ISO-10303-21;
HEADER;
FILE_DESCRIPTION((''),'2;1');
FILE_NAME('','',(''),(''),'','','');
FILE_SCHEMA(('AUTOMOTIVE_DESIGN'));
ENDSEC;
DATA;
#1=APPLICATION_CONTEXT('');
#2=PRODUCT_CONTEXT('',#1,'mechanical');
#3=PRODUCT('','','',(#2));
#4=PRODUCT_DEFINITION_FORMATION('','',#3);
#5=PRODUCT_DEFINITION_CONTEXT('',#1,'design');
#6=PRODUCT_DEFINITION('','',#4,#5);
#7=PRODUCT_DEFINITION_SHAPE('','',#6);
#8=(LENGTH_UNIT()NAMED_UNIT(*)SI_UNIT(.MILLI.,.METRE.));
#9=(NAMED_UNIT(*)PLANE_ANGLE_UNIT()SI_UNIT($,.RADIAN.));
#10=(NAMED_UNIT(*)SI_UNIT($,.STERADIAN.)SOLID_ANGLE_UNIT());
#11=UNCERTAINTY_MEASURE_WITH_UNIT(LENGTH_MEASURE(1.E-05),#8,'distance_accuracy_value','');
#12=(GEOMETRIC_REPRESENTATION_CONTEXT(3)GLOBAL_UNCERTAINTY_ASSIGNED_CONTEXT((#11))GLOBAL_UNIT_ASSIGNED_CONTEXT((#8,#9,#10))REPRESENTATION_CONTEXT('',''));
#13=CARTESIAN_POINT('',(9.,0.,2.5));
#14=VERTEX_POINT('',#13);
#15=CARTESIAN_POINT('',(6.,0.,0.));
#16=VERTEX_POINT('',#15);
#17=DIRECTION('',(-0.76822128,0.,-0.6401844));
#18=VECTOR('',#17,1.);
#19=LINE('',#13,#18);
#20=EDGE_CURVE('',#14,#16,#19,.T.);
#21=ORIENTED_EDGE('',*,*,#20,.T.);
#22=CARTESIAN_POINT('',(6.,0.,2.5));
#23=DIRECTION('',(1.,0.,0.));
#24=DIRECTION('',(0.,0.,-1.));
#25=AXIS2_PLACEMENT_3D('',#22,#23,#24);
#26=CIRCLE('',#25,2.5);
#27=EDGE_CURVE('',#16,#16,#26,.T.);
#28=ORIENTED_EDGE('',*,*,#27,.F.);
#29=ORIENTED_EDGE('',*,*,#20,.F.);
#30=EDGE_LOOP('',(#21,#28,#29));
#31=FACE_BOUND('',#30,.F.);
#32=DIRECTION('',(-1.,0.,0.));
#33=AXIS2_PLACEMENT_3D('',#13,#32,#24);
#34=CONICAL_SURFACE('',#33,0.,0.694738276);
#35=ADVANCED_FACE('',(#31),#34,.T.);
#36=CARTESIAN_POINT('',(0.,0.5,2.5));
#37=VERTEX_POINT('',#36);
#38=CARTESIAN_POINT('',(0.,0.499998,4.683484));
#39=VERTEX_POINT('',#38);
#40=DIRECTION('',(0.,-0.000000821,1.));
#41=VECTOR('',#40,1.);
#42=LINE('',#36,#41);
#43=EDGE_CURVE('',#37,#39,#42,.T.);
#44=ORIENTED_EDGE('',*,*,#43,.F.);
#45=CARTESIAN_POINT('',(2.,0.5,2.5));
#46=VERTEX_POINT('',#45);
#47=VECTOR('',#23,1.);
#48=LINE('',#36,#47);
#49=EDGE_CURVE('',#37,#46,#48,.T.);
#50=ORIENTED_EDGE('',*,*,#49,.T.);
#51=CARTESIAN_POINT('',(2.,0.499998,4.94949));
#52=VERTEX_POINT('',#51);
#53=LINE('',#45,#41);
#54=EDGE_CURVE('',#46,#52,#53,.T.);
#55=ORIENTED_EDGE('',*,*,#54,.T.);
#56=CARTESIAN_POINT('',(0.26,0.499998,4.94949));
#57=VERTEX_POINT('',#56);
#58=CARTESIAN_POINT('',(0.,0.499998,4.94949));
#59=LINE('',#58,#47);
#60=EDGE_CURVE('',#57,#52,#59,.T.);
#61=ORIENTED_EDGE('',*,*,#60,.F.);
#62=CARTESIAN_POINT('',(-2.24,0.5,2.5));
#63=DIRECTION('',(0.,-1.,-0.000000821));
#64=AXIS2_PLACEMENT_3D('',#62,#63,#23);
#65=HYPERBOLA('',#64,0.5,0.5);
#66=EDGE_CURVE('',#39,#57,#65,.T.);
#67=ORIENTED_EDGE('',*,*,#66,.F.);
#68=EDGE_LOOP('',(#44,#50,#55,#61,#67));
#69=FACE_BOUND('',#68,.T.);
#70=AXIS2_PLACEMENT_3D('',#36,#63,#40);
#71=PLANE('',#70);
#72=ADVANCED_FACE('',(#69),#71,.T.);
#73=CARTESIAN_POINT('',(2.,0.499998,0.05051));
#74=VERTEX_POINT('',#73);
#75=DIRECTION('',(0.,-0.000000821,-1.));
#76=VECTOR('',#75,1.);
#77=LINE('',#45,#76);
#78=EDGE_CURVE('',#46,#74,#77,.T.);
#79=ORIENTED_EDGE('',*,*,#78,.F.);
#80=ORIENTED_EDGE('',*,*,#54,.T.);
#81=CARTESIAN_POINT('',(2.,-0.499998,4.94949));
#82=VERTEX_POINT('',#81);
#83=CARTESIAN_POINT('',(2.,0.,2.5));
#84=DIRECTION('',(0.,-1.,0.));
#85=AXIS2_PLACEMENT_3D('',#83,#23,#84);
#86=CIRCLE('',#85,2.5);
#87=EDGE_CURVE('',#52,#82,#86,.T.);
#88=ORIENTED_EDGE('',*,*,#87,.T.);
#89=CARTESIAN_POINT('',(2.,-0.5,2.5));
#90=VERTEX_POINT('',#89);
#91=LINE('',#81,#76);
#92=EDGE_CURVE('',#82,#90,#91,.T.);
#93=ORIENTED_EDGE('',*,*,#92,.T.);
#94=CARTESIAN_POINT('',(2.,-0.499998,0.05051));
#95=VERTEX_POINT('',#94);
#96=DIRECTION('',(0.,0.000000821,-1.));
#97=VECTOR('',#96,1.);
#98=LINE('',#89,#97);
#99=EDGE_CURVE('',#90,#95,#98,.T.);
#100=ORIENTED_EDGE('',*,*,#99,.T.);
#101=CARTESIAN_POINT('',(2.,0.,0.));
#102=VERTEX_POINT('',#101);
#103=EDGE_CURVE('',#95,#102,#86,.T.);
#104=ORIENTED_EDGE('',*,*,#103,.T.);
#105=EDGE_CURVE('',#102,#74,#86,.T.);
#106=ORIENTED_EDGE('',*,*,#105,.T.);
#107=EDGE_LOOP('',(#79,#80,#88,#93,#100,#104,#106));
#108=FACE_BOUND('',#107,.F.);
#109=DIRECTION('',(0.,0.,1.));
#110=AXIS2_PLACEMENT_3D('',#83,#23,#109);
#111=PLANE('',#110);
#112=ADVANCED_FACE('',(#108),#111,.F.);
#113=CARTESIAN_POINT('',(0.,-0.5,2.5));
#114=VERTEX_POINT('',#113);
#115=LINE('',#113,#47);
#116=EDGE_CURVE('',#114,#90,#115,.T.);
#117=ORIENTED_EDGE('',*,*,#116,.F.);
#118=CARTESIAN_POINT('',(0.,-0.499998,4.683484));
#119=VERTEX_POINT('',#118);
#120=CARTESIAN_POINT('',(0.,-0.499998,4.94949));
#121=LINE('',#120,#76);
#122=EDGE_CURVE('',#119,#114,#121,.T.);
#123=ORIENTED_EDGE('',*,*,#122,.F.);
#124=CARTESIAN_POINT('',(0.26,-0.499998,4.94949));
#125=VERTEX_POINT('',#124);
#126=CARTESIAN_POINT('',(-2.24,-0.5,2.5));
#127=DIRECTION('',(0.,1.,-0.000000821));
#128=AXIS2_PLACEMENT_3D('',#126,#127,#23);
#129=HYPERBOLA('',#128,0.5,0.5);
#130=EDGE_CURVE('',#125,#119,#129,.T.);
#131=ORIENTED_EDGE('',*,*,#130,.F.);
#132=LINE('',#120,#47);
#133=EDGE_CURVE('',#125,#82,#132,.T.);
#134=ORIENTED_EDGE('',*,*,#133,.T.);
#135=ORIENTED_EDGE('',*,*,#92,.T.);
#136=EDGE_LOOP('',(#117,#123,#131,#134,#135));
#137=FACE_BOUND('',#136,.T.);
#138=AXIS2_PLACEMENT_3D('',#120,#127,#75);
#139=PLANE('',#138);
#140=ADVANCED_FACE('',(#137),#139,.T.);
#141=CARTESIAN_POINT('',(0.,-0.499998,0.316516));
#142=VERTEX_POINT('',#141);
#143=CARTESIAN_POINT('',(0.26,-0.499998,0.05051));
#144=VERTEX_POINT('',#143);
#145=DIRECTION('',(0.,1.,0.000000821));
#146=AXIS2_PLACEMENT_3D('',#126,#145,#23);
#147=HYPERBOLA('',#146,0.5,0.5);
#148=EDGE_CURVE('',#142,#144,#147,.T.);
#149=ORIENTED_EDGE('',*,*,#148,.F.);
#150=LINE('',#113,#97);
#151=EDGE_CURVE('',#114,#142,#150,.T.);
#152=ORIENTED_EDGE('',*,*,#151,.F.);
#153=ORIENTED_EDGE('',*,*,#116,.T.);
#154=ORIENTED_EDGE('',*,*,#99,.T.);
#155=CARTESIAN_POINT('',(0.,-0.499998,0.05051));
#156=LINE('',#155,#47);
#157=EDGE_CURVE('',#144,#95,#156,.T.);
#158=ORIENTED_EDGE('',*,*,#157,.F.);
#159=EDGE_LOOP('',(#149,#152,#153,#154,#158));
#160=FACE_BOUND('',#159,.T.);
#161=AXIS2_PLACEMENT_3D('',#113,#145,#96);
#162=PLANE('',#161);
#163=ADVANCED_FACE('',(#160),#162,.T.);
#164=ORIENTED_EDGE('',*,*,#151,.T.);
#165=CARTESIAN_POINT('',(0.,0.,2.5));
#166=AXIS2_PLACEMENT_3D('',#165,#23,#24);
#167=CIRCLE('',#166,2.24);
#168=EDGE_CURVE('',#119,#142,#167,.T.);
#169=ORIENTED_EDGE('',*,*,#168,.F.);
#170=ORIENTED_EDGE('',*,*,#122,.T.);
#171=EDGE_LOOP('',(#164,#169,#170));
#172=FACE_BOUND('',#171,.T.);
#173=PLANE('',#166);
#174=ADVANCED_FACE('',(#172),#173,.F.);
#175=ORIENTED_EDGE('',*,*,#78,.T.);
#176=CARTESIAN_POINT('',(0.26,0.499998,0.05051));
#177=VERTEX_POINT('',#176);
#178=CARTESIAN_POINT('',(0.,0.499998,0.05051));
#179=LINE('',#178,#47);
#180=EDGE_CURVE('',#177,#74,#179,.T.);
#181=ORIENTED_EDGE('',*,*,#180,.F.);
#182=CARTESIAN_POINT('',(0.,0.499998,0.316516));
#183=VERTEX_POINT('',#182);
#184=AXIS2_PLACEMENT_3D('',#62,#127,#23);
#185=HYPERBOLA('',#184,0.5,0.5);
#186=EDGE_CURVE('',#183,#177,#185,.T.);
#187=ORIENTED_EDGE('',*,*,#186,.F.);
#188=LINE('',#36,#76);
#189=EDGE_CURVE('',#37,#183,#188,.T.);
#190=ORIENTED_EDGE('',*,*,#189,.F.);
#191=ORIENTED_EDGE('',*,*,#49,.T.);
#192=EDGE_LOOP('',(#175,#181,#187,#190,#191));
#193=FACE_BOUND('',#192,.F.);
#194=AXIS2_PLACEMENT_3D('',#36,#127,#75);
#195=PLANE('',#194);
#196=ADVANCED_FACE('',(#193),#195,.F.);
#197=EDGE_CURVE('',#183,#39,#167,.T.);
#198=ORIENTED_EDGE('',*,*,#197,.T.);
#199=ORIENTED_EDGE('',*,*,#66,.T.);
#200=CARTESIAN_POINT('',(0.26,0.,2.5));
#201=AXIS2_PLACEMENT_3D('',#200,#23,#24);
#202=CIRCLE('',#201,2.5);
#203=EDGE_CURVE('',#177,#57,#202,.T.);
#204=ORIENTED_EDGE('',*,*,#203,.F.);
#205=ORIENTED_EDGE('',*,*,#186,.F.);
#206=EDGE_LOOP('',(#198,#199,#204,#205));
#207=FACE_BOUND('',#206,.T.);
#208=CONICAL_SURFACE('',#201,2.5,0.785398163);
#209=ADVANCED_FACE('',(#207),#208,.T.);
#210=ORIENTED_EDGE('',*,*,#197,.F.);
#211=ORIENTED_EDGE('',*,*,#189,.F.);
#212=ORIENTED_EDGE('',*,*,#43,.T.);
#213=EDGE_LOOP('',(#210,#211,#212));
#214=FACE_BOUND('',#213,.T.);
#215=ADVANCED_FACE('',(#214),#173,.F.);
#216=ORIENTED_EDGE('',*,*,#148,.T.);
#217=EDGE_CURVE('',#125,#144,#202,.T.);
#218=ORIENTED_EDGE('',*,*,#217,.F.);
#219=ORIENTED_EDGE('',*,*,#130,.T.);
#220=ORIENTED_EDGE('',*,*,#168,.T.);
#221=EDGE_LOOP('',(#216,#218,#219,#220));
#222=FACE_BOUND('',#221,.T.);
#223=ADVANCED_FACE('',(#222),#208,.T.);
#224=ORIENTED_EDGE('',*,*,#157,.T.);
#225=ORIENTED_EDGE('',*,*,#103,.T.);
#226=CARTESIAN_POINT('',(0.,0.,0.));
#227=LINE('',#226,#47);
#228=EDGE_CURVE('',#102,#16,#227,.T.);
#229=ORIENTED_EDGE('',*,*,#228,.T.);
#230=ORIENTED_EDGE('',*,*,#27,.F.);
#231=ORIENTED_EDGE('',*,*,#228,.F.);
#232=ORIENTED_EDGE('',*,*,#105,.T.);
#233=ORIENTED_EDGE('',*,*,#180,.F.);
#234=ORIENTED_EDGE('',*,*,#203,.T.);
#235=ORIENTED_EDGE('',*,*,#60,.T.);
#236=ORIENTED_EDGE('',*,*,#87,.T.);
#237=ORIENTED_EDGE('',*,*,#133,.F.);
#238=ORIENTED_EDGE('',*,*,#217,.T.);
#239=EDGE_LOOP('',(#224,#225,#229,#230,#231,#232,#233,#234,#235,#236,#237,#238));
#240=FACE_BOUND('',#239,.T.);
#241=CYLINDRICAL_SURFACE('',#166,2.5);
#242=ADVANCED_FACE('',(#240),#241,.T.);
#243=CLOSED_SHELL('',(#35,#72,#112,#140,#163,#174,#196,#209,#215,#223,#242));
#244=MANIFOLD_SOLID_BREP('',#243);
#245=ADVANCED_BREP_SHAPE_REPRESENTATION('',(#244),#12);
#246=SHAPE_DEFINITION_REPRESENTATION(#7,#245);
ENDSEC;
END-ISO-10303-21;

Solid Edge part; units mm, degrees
sketch "Sketch1" plane through (0, 0, 0) normal (0, -1, 0) x (1, 0, 0)
  line L0 (0, 2) -> (0, 0)
  line L1 (0, 0) -> (6, 0)
  line L2 (9, 2.5) -> (6, 0)
  line L3 (6, 2.5) -> (9, 2.5)
  line L4 (6, 2.5) -> (2, 2.5)
  line L5 (2, 2.5) -> (2, 2)
  line L6 (2, 2) -> (0, 2)
revolve "RevolvedProtrusion1" add sketch "Sketch1" angle 360 about axis through (6, 0, 2.5) along (1, 0, 0)
chamfer "Chanfro_1" distance 0.26 angle 45 1 edges at (0, 0, 5) measured on face at (0, -1.6167, 0.7833)
sketch "Sketch2" plane through (0, 0, 2.5) normal (-1, 0, 0) x (0, -1, 0)
  line L0 (0.5, 2.4495) -> (0.5, 0)
  line L1 (0.5, 0) -> (0.5, -2.4495)
  arc A0 (0.5, -2.4495) -> (-0.5, -2.4495) centre (0, 0) cw
  line L2 (-0.5, 0) -> (-0.5, -2.4495)
  line L3 (-0.5, 0) -> (-0.5, 2.4495)
  arc A1 (-0.5, 2.4495) -> (0.5, 2.4495) centre (0, 0) cw
extrude "Recorte_Extrudado_1" cut sketch "Sketch2" against normal blind 2
